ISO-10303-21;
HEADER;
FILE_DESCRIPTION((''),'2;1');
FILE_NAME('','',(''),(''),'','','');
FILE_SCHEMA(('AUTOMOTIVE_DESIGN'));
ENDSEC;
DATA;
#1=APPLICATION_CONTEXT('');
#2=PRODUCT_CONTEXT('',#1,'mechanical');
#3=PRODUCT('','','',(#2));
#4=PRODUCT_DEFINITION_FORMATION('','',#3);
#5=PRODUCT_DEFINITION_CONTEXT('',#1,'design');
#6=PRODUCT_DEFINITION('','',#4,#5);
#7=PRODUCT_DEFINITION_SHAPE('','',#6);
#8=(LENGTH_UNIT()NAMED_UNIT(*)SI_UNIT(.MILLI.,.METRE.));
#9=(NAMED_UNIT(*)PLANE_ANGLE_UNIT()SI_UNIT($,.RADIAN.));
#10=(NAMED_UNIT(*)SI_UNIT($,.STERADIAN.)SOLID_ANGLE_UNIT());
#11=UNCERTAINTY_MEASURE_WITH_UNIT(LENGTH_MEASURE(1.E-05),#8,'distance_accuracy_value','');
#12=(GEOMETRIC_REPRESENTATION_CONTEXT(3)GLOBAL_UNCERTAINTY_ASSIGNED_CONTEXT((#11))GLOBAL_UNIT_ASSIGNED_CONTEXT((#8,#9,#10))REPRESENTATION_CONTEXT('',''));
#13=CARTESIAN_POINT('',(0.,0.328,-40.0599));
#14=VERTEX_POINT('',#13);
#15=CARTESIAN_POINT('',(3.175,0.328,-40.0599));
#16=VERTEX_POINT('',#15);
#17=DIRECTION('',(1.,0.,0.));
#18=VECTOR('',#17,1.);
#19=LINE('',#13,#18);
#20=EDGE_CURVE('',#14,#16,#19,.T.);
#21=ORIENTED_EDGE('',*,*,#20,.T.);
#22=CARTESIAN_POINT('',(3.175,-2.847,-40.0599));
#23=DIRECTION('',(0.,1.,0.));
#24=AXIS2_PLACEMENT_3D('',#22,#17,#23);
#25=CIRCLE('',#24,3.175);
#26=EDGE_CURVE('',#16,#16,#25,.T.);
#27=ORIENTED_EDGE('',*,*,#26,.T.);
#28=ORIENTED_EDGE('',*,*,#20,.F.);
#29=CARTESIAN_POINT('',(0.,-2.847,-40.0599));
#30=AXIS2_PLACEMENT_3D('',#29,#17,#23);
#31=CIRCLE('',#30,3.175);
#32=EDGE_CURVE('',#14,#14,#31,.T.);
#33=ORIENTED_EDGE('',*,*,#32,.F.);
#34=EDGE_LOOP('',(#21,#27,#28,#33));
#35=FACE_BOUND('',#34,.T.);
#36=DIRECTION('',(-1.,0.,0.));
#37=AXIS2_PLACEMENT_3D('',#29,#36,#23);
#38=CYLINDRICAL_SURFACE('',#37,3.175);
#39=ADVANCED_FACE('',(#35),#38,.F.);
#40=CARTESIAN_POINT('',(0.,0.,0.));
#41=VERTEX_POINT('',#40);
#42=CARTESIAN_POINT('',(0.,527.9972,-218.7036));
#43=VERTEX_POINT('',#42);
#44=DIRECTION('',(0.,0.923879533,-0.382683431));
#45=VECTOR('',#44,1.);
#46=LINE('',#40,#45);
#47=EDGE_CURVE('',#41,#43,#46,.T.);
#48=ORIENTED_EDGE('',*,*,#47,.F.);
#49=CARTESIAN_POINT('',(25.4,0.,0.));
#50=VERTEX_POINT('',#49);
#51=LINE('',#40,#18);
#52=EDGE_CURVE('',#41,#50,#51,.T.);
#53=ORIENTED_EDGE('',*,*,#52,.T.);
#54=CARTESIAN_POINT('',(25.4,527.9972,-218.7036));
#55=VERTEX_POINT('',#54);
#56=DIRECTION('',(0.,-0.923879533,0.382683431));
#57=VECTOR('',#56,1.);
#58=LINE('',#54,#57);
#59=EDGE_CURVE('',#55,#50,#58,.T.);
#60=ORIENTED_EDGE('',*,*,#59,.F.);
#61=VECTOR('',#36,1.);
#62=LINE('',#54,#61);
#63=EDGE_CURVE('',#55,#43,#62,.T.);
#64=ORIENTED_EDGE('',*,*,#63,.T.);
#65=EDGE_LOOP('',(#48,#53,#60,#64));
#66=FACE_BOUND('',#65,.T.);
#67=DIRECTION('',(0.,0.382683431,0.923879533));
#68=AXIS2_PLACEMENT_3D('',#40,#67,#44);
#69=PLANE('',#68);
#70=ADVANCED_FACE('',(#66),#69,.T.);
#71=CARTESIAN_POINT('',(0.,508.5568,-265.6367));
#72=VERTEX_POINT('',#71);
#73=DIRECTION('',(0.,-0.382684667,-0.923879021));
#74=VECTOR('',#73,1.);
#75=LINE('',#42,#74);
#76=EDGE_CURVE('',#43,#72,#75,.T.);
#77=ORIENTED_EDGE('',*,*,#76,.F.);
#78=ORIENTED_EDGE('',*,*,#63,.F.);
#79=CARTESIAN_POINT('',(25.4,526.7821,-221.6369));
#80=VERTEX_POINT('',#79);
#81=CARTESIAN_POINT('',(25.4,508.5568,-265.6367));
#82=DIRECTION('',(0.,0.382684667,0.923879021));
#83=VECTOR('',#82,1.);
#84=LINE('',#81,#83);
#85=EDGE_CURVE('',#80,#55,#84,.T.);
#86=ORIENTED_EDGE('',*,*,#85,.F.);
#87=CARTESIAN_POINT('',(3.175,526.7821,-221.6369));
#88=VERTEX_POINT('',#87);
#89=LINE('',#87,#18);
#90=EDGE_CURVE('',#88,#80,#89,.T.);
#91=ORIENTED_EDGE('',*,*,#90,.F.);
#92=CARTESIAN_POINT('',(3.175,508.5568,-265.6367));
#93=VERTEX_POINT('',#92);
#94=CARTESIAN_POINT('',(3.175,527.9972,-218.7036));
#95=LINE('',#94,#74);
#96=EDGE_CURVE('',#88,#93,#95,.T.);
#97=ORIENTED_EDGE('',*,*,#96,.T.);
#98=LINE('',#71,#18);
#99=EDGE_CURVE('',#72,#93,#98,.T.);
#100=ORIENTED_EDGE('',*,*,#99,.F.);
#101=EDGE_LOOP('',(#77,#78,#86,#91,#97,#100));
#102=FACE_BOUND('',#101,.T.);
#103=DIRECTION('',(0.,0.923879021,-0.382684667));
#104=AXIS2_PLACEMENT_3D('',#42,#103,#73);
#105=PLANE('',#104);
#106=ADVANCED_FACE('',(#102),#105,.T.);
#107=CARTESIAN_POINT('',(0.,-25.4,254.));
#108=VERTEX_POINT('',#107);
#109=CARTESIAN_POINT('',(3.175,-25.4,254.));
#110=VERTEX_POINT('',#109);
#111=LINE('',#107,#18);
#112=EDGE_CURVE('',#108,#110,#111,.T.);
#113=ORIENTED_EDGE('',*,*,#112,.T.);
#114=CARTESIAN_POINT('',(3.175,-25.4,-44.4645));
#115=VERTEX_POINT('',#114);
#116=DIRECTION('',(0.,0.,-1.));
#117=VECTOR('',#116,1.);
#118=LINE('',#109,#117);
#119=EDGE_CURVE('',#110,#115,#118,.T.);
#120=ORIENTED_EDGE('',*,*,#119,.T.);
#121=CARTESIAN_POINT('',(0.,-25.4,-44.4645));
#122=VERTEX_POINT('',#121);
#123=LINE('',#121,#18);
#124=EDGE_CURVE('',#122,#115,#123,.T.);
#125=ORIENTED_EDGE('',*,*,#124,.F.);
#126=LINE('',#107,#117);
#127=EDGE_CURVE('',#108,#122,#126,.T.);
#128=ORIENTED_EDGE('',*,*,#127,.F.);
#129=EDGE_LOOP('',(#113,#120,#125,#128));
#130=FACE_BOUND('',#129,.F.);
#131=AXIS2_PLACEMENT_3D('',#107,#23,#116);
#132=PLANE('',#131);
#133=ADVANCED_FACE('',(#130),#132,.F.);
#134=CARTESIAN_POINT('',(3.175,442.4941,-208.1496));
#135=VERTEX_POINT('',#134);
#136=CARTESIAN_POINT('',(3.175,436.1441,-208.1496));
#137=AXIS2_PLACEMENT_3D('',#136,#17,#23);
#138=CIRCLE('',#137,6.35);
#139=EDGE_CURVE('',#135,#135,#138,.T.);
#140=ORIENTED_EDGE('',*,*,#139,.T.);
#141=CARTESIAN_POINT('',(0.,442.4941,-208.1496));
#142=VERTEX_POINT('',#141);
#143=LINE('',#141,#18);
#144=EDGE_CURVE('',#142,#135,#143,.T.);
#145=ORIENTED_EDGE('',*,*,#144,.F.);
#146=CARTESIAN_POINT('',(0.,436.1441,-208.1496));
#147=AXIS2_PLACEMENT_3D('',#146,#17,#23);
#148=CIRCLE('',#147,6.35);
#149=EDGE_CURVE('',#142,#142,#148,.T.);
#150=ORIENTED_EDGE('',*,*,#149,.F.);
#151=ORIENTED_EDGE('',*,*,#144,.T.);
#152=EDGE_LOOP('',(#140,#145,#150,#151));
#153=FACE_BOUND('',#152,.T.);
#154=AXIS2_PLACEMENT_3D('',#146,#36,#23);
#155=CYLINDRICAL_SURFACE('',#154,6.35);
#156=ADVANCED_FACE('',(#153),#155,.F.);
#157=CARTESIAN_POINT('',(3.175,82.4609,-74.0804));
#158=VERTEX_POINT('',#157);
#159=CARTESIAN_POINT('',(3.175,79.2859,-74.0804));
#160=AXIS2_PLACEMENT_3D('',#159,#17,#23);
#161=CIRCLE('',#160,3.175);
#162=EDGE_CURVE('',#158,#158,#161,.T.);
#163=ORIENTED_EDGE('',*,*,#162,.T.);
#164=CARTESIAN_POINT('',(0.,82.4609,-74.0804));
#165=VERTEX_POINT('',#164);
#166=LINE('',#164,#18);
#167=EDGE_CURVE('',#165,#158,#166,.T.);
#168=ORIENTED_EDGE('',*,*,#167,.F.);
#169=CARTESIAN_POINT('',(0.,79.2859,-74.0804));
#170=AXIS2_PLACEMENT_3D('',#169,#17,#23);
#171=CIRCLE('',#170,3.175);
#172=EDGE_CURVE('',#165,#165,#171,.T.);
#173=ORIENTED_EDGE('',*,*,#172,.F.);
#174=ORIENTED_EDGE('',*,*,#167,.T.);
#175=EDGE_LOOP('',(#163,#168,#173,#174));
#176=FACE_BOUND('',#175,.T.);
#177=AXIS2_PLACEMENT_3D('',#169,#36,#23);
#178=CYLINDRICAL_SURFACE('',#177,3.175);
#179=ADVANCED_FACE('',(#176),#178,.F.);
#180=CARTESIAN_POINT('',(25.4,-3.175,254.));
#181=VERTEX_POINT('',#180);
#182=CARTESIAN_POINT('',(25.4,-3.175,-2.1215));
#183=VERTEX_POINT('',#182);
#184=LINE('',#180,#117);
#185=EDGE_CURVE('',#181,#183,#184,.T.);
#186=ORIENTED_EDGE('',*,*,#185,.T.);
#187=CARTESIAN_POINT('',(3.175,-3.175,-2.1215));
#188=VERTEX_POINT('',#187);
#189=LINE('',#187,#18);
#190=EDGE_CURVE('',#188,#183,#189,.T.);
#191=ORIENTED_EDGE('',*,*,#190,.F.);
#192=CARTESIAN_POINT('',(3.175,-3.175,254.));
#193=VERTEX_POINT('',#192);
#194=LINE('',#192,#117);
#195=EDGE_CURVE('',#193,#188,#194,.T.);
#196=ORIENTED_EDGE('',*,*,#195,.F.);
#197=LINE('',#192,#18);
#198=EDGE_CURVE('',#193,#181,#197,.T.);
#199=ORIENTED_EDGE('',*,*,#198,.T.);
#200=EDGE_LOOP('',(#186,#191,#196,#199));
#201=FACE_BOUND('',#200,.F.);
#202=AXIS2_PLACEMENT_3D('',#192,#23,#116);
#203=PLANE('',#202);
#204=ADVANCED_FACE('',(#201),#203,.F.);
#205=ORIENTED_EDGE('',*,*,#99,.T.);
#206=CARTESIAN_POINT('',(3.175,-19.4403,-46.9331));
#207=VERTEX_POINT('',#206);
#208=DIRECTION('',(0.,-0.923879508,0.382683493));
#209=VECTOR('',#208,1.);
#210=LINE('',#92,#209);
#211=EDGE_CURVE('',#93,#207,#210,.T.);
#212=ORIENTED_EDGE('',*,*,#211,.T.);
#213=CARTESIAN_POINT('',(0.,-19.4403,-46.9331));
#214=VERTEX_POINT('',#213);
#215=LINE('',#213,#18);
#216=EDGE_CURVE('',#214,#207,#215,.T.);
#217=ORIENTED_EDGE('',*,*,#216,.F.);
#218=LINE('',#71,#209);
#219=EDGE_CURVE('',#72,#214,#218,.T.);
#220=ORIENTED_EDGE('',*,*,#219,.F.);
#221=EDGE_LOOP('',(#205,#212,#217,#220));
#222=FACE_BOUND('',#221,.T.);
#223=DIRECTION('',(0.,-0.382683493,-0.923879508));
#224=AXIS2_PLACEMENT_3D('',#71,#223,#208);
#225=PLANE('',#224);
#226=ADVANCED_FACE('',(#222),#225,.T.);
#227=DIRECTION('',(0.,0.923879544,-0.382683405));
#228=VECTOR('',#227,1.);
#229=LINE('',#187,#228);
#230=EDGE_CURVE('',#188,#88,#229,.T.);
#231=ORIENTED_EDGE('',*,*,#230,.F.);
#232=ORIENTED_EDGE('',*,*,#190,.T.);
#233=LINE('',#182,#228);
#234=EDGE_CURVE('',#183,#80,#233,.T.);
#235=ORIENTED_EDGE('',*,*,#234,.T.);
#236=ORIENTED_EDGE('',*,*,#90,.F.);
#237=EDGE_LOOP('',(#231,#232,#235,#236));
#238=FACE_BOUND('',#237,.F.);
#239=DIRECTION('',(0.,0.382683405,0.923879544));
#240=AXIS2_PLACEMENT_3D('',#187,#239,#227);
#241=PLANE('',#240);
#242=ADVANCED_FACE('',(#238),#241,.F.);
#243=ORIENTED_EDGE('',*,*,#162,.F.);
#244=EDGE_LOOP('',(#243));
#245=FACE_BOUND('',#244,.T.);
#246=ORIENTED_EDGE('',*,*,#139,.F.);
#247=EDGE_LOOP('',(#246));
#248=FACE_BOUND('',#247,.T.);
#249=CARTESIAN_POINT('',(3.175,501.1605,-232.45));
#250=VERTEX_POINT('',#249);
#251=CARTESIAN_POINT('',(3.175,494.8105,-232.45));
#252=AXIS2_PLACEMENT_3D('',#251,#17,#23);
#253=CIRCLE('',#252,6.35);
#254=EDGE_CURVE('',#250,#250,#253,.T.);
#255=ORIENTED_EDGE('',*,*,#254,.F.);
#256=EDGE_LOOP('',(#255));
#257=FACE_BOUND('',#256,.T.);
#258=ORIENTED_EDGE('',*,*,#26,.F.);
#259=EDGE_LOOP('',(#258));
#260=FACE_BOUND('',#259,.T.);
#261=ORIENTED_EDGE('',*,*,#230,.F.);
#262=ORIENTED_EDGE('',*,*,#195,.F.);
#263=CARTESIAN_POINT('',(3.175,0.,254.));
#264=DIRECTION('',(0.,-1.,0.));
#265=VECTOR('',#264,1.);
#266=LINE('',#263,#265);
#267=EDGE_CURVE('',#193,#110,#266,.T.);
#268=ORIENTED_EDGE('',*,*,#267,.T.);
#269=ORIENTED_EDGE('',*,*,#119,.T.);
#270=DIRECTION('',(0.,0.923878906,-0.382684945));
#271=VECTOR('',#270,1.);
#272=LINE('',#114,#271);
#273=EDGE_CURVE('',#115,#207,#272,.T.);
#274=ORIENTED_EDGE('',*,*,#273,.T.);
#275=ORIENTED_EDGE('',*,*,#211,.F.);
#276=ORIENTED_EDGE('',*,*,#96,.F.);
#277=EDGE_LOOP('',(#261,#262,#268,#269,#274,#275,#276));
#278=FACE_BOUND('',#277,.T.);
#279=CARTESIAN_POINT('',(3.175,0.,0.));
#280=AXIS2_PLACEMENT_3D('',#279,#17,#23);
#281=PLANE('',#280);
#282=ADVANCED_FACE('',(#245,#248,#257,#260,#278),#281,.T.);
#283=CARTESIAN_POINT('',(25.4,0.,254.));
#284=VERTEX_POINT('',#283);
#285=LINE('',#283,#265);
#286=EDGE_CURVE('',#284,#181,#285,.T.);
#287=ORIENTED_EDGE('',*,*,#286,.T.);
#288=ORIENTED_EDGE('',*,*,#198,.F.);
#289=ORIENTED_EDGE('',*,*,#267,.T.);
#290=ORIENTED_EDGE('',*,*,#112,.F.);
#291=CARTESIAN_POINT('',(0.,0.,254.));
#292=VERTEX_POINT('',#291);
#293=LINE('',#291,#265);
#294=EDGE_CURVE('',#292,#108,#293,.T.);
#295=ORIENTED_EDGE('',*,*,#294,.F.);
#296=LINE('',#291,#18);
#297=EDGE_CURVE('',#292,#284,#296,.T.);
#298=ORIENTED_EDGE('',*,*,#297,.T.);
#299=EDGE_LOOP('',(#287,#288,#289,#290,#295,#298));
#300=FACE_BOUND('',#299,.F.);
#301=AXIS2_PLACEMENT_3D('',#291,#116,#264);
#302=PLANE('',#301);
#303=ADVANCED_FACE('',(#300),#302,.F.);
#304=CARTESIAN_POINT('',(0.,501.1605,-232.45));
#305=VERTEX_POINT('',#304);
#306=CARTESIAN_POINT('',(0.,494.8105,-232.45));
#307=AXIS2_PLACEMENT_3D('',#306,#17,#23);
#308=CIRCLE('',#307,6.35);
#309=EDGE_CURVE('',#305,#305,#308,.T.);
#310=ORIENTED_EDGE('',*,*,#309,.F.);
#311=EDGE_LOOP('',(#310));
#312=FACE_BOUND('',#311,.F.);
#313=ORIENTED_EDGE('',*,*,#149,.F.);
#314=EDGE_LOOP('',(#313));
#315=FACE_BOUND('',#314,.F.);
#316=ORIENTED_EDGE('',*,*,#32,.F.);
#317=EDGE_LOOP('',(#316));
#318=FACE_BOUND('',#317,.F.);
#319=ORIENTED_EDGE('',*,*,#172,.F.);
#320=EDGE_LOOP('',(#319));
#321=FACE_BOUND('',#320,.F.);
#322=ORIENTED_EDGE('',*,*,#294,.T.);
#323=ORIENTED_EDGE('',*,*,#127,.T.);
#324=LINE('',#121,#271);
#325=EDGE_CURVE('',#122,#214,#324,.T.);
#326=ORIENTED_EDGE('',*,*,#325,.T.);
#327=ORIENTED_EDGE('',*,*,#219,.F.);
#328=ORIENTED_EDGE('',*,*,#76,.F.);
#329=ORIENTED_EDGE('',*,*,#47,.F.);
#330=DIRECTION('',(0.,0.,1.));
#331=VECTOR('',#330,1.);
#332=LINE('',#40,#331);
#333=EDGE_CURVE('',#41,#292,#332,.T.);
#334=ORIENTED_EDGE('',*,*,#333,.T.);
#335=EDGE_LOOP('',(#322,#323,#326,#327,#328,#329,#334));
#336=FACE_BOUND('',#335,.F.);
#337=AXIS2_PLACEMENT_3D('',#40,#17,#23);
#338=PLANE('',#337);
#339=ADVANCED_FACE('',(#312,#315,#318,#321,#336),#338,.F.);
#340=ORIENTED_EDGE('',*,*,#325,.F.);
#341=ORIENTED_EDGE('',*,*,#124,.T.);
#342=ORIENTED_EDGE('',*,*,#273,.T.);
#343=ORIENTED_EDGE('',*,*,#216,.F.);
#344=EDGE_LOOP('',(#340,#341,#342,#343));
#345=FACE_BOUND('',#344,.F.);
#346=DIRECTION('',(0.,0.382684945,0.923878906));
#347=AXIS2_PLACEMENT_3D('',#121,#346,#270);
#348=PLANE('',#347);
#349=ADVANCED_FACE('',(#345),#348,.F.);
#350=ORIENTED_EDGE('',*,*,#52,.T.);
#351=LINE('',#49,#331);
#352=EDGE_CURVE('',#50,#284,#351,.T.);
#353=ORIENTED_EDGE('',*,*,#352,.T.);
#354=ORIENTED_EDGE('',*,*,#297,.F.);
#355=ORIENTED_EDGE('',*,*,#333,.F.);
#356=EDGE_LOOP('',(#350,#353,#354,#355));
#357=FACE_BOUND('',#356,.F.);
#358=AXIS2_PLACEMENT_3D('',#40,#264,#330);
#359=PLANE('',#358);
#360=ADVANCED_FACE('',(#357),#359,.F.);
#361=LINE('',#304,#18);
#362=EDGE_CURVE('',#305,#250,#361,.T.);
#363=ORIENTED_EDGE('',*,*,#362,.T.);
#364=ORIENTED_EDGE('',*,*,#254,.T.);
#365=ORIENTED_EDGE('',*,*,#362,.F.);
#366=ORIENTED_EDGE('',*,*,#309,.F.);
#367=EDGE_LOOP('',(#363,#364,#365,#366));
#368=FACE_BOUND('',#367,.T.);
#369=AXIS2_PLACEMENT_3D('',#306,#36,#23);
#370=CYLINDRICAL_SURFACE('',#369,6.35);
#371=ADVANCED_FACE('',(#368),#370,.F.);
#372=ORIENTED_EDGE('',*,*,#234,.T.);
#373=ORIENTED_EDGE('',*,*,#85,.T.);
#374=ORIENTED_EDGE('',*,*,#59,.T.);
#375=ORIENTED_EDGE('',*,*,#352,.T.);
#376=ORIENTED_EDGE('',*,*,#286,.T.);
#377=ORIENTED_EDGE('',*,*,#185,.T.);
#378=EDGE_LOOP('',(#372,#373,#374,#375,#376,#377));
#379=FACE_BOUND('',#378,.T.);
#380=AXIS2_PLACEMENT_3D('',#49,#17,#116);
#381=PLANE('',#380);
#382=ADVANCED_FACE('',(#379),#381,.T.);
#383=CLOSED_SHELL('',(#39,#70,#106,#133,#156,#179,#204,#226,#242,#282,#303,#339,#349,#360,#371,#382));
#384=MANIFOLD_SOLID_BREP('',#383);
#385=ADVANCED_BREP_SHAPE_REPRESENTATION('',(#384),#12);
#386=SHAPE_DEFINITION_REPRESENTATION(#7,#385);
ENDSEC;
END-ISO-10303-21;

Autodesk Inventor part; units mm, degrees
ref_plane "YZ Plane" through (0, 0, 0) normal (1, 0, 0) x (0, 1, 0)
ref_plane "XZ Plane" through (0, 0, 0) normal (0, 1, 0) x (-1, 0, 0)
ref_plane "XY Plane" through (0, 0, 0) normal (0, 0, 1) x (1, 0, 0)
sketch "Sketch1" plane through (0, 0, 0) normal (1, 0, 0) x (0, 1, 0)
  line L0 (0, 0) -> (0, 254)
  line L1 (0, 0) -> (254, 0) construction
  line L2 (0, 0) -> (527.9972, -218.7036)
  line L3 (0, 0) -> (571.5, 0) construction
  line L4 (0, 254) -> (-25.4, 254)
  line L5 (0, 254) -> (25.4, 254) construction
  line L6 (527.9972, -218.7036) -> (508.5568, -265.6367)
  line L7 (527.9972, -218.7036) -> (578.7972, -218.7036) construction
  line L8 (508.5568, -265.6367) -> (-19.4403, -46.9331)
  line L9 (-19.4403, -46.9331) -> (-6.7403, -46.9331) construction
  line L10 (-25.4, 254) -> (-25.4, -44.4645)
  line L11 (-25.4, 254) -> (273.0645, 254) construction
  line L12 (-25.4, -44.4645) -> (-19.4403, -46.9331)
  line L13 (518.277, -242.1701) -> (543.677, -242.1701) construction
  circle A0 centre (494.8105, -232.45) radius 6.35
  circle A1 centre (436.1441, -208.1496) radius 6.35
  line L14 (-19.4403, -46.9331) -> (-14.5802, -35.1998)
  line L15 (126.219, -93.5208) -> (121.3589, -105.254)
  line L16 (-14.5802, -35.1998) -> (-1.8802, -35.1998) construction
  line L17 (-2.847, -40.0599) -> (86.053, -40.0599) construction
  circle A2 centre (79.2859, -74.0804) radius 3.175
  circle A3 centre (-2.847, -40.0599) radius 3.175
  dimension "d0" = 254
  dimension "d1" = 90
  dimension "d2" = 571.5
  dimension "d3" = 22.5
  dimension "d4" = 25.4
  dimension "d5" = 180
  dimension "d6" = 50.8
  dimension "d7" = 112.5
  dimension "d8" = 571.5
  dimension "d9" = 90
  dimension "d12" = 90
  dimension "d17" = 12.7
  dimension "d18" = 12.7
  dimension "d19" = 12.7
  dimension "d20" = 152.4
  dimension "d22" = 12.7
  dimension "d26" = 6.35
  dimension "d27" = 6.35
extrude "Extrusion1" add sketch "Sketch1" along normal blind 3.175
sketch "Sketch2" plane through (3.175, 0, 0) normal (1, 0, 0) x (0, 0, -1)
  line L0 (0, 0) -> (-254, 0) projected
  line L1 (265.6367, 508.5568) -> (218.7036, 527.9972) projected
  line L2 (218.7036, 527.9972) -> (0, 0) projected
  line L3 (218.7036, 527.9972) -> (221.6369, 526.7821)
  line L4 (218.7036, 527.9972) -> (221.8786, 527.9972) construction
  line L5 (-254, 0) -> (-254, -3.175)
  line L6 (-254, 0) -> (-250.825, 0) construction
  line L7 (-254, -3.175) -> (2.1215, -3.175)
  line L8 (2.1215, -3.175) -> (221.6369, 526.7821)
  dimension "d30" = 3.175
  dimension "d31" = 22.5
  dimension "d33" = 3.175
  dimension "d34" = 90
  dimension "d35" = 90
extrude "Extrusion2" add sketch "Sketch2" along normal blind 22.225
properties part number "CatapultArmZ-Left"
